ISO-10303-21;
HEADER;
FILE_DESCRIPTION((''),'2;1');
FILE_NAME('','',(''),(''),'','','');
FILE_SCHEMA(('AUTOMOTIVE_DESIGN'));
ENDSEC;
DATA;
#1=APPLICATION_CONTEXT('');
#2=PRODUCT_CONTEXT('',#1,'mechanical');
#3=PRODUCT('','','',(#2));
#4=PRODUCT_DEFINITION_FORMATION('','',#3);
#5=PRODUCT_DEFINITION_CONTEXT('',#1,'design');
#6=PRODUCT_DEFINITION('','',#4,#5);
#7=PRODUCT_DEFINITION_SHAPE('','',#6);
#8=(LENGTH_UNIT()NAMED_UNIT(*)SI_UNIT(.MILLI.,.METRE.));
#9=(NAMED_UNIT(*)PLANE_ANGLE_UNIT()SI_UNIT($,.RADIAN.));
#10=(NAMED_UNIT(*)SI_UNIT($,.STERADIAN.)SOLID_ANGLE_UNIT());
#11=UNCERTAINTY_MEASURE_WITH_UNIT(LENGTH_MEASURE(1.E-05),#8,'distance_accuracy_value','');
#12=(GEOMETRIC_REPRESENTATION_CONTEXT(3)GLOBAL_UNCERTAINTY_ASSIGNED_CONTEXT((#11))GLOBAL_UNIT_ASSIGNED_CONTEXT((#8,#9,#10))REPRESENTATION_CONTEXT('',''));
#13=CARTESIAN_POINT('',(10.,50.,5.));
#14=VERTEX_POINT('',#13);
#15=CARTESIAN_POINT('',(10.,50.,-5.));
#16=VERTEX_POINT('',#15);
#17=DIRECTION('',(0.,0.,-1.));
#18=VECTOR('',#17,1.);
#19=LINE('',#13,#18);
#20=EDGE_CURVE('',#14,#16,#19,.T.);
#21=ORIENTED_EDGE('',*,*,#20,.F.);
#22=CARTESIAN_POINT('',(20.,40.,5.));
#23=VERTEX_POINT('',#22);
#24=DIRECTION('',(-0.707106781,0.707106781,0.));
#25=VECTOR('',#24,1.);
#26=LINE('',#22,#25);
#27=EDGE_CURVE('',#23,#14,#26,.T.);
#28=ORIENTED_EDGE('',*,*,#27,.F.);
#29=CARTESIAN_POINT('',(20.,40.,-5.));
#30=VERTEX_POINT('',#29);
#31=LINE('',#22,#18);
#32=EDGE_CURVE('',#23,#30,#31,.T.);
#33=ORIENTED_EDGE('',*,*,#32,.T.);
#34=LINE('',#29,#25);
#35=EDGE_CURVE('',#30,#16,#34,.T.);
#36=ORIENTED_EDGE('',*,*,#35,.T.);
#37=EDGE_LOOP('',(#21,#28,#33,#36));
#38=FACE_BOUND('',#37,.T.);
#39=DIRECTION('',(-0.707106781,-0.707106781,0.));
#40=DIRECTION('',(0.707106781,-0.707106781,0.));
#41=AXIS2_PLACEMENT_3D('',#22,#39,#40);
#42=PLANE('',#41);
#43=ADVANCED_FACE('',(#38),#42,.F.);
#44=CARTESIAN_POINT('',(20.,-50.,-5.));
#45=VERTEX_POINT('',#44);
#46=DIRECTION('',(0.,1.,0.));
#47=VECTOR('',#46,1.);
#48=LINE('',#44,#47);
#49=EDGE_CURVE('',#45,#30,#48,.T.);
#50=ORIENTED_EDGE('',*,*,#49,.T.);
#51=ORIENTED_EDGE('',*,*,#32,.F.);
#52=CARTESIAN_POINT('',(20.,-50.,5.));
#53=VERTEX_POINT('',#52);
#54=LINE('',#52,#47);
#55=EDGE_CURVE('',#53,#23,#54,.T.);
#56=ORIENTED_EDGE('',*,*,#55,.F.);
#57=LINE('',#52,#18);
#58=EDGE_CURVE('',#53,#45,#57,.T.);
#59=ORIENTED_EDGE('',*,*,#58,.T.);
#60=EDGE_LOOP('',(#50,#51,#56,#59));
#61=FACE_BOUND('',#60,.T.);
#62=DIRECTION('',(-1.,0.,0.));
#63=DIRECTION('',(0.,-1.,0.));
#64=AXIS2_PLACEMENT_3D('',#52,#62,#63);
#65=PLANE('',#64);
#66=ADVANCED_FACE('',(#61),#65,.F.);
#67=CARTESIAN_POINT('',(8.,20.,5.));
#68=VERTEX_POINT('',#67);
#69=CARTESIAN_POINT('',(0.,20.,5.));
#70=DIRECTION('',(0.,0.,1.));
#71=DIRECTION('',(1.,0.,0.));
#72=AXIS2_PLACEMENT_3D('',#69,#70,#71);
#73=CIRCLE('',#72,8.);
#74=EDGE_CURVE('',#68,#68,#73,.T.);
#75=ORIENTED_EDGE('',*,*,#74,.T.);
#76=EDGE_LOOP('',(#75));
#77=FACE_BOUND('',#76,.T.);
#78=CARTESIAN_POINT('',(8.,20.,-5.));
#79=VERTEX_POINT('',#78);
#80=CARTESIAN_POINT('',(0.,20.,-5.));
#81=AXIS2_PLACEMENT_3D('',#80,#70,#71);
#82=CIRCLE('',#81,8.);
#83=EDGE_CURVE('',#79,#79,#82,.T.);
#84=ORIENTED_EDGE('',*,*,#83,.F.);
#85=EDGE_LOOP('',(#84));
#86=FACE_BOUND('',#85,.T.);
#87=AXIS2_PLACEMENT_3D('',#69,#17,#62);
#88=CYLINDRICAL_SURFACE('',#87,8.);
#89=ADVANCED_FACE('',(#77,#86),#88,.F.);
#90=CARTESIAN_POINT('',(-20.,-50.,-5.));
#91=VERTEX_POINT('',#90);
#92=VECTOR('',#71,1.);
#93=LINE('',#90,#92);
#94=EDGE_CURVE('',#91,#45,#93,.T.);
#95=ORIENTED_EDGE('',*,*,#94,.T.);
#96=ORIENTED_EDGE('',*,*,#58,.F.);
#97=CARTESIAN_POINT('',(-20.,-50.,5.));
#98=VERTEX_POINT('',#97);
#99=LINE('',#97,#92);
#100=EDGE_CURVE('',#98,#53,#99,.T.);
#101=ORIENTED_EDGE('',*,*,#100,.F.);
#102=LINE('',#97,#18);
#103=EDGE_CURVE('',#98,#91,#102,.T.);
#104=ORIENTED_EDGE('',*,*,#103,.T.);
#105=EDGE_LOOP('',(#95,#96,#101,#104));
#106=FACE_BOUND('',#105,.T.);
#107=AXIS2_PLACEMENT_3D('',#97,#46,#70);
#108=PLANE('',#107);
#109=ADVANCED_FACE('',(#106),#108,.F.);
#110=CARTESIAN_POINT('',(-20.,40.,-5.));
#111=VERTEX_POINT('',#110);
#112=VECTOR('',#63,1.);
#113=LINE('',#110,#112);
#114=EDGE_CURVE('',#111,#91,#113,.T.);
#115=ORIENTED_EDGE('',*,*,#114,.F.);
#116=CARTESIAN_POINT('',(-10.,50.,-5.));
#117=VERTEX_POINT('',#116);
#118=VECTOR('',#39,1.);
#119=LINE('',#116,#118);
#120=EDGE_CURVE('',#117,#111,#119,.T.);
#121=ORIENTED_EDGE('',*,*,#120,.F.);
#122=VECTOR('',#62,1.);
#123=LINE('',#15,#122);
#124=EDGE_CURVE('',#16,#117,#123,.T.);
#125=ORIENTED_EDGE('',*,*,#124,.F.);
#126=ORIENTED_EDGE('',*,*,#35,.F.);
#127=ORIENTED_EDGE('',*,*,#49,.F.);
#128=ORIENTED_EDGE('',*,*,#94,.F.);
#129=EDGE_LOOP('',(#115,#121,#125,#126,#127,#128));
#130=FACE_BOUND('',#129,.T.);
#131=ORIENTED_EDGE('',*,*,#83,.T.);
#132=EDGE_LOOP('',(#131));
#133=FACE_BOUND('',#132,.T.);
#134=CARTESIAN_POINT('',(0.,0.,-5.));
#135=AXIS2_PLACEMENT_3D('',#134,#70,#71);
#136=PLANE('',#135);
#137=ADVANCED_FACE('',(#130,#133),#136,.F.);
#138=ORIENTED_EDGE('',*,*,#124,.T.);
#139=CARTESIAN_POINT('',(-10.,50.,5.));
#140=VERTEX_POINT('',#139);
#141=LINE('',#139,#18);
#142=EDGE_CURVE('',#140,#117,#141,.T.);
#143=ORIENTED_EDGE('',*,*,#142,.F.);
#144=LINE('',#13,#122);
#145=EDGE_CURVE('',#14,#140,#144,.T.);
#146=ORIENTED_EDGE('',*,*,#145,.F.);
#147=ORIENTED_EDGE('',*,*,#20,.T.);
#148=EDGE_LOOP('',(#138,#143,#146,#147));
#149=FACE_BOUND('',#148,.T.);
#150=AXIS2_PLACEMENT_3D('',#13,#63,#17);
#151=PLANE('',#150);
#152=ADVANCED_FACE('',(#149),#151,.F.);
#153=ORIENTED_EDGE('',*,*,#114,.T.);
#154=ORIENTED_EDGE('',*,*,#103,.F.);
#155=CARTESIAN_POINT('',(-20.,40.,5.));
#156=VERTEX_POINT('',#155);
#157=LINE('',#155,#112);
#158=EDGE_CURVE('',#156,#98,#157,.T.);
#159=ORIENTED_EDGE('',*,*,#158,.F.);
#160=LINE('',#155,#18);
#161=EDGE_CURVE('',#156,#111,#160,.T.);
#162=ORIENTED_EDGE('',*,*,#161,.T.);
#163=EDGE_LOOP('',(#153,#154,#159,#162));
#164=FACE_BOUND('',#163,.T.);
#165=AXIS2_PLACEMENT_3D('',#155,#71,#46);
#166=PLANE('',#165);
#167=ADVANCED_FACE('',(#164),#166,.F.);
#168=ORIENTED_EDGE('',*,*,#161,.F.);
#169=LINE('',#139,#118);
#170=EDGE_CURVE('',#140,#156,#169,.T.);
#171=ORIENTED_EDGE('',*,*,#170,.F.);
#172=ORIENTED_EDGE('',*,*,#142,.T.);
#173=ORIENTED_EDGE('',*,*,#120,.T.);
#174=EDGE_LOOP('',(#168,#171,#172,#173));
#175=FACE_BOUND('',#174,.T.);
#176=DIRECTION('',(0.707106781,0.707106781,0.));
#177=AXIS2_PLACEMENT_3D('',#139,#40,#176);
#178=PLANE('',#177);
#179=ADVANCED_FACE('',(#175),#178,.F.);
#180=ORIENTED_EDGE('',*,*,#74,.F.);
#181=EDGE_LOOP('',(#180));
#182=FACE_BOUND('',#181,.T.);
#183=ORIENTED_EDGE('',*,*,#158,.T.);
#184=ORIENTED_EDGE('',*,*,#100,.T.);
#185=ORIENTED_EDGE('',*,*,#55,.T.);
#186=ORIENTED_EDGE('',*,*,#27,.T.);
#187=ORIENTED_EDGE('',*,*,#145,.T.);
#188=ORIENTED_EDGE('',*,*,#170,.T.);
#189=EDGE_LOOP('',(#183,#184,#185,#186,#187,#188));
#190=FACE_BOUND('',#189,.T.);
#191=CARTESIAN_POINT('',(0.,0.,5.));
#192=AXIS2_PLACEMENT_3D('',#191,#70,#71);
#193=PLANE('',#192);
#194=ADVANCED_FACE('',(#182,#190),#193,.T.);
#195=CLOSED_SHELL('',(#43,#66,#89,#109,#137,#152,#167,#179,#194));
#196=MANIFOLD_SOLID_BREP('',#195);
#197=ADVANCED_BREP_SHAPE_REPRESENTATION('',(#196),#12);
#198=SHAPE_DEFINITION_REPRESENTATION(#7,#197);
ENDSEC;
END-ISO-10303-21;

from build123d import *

# Parameters (mm, degrees)
SKETCH1_R           = 8
BOSS_EXTRUDE1_DEPTH = 5


with BuildPart() as part:
    # Sketch1 → Boss-Extrude1 (new, symmetric)
    with BuildSketch(Plane.XY):
        Polygon((-20, -50), (20, -50), (20, 40), (10, 50), (-10, 50), (-20, 40), align=None)
        with Locations((0, 20)):
            Circle(SKETCH1_R, mode=Mode.SUBTRACT)
    extrude(amount=BOSS_EXTRUDE1_DEPTH, both=True)


solid = part.part
